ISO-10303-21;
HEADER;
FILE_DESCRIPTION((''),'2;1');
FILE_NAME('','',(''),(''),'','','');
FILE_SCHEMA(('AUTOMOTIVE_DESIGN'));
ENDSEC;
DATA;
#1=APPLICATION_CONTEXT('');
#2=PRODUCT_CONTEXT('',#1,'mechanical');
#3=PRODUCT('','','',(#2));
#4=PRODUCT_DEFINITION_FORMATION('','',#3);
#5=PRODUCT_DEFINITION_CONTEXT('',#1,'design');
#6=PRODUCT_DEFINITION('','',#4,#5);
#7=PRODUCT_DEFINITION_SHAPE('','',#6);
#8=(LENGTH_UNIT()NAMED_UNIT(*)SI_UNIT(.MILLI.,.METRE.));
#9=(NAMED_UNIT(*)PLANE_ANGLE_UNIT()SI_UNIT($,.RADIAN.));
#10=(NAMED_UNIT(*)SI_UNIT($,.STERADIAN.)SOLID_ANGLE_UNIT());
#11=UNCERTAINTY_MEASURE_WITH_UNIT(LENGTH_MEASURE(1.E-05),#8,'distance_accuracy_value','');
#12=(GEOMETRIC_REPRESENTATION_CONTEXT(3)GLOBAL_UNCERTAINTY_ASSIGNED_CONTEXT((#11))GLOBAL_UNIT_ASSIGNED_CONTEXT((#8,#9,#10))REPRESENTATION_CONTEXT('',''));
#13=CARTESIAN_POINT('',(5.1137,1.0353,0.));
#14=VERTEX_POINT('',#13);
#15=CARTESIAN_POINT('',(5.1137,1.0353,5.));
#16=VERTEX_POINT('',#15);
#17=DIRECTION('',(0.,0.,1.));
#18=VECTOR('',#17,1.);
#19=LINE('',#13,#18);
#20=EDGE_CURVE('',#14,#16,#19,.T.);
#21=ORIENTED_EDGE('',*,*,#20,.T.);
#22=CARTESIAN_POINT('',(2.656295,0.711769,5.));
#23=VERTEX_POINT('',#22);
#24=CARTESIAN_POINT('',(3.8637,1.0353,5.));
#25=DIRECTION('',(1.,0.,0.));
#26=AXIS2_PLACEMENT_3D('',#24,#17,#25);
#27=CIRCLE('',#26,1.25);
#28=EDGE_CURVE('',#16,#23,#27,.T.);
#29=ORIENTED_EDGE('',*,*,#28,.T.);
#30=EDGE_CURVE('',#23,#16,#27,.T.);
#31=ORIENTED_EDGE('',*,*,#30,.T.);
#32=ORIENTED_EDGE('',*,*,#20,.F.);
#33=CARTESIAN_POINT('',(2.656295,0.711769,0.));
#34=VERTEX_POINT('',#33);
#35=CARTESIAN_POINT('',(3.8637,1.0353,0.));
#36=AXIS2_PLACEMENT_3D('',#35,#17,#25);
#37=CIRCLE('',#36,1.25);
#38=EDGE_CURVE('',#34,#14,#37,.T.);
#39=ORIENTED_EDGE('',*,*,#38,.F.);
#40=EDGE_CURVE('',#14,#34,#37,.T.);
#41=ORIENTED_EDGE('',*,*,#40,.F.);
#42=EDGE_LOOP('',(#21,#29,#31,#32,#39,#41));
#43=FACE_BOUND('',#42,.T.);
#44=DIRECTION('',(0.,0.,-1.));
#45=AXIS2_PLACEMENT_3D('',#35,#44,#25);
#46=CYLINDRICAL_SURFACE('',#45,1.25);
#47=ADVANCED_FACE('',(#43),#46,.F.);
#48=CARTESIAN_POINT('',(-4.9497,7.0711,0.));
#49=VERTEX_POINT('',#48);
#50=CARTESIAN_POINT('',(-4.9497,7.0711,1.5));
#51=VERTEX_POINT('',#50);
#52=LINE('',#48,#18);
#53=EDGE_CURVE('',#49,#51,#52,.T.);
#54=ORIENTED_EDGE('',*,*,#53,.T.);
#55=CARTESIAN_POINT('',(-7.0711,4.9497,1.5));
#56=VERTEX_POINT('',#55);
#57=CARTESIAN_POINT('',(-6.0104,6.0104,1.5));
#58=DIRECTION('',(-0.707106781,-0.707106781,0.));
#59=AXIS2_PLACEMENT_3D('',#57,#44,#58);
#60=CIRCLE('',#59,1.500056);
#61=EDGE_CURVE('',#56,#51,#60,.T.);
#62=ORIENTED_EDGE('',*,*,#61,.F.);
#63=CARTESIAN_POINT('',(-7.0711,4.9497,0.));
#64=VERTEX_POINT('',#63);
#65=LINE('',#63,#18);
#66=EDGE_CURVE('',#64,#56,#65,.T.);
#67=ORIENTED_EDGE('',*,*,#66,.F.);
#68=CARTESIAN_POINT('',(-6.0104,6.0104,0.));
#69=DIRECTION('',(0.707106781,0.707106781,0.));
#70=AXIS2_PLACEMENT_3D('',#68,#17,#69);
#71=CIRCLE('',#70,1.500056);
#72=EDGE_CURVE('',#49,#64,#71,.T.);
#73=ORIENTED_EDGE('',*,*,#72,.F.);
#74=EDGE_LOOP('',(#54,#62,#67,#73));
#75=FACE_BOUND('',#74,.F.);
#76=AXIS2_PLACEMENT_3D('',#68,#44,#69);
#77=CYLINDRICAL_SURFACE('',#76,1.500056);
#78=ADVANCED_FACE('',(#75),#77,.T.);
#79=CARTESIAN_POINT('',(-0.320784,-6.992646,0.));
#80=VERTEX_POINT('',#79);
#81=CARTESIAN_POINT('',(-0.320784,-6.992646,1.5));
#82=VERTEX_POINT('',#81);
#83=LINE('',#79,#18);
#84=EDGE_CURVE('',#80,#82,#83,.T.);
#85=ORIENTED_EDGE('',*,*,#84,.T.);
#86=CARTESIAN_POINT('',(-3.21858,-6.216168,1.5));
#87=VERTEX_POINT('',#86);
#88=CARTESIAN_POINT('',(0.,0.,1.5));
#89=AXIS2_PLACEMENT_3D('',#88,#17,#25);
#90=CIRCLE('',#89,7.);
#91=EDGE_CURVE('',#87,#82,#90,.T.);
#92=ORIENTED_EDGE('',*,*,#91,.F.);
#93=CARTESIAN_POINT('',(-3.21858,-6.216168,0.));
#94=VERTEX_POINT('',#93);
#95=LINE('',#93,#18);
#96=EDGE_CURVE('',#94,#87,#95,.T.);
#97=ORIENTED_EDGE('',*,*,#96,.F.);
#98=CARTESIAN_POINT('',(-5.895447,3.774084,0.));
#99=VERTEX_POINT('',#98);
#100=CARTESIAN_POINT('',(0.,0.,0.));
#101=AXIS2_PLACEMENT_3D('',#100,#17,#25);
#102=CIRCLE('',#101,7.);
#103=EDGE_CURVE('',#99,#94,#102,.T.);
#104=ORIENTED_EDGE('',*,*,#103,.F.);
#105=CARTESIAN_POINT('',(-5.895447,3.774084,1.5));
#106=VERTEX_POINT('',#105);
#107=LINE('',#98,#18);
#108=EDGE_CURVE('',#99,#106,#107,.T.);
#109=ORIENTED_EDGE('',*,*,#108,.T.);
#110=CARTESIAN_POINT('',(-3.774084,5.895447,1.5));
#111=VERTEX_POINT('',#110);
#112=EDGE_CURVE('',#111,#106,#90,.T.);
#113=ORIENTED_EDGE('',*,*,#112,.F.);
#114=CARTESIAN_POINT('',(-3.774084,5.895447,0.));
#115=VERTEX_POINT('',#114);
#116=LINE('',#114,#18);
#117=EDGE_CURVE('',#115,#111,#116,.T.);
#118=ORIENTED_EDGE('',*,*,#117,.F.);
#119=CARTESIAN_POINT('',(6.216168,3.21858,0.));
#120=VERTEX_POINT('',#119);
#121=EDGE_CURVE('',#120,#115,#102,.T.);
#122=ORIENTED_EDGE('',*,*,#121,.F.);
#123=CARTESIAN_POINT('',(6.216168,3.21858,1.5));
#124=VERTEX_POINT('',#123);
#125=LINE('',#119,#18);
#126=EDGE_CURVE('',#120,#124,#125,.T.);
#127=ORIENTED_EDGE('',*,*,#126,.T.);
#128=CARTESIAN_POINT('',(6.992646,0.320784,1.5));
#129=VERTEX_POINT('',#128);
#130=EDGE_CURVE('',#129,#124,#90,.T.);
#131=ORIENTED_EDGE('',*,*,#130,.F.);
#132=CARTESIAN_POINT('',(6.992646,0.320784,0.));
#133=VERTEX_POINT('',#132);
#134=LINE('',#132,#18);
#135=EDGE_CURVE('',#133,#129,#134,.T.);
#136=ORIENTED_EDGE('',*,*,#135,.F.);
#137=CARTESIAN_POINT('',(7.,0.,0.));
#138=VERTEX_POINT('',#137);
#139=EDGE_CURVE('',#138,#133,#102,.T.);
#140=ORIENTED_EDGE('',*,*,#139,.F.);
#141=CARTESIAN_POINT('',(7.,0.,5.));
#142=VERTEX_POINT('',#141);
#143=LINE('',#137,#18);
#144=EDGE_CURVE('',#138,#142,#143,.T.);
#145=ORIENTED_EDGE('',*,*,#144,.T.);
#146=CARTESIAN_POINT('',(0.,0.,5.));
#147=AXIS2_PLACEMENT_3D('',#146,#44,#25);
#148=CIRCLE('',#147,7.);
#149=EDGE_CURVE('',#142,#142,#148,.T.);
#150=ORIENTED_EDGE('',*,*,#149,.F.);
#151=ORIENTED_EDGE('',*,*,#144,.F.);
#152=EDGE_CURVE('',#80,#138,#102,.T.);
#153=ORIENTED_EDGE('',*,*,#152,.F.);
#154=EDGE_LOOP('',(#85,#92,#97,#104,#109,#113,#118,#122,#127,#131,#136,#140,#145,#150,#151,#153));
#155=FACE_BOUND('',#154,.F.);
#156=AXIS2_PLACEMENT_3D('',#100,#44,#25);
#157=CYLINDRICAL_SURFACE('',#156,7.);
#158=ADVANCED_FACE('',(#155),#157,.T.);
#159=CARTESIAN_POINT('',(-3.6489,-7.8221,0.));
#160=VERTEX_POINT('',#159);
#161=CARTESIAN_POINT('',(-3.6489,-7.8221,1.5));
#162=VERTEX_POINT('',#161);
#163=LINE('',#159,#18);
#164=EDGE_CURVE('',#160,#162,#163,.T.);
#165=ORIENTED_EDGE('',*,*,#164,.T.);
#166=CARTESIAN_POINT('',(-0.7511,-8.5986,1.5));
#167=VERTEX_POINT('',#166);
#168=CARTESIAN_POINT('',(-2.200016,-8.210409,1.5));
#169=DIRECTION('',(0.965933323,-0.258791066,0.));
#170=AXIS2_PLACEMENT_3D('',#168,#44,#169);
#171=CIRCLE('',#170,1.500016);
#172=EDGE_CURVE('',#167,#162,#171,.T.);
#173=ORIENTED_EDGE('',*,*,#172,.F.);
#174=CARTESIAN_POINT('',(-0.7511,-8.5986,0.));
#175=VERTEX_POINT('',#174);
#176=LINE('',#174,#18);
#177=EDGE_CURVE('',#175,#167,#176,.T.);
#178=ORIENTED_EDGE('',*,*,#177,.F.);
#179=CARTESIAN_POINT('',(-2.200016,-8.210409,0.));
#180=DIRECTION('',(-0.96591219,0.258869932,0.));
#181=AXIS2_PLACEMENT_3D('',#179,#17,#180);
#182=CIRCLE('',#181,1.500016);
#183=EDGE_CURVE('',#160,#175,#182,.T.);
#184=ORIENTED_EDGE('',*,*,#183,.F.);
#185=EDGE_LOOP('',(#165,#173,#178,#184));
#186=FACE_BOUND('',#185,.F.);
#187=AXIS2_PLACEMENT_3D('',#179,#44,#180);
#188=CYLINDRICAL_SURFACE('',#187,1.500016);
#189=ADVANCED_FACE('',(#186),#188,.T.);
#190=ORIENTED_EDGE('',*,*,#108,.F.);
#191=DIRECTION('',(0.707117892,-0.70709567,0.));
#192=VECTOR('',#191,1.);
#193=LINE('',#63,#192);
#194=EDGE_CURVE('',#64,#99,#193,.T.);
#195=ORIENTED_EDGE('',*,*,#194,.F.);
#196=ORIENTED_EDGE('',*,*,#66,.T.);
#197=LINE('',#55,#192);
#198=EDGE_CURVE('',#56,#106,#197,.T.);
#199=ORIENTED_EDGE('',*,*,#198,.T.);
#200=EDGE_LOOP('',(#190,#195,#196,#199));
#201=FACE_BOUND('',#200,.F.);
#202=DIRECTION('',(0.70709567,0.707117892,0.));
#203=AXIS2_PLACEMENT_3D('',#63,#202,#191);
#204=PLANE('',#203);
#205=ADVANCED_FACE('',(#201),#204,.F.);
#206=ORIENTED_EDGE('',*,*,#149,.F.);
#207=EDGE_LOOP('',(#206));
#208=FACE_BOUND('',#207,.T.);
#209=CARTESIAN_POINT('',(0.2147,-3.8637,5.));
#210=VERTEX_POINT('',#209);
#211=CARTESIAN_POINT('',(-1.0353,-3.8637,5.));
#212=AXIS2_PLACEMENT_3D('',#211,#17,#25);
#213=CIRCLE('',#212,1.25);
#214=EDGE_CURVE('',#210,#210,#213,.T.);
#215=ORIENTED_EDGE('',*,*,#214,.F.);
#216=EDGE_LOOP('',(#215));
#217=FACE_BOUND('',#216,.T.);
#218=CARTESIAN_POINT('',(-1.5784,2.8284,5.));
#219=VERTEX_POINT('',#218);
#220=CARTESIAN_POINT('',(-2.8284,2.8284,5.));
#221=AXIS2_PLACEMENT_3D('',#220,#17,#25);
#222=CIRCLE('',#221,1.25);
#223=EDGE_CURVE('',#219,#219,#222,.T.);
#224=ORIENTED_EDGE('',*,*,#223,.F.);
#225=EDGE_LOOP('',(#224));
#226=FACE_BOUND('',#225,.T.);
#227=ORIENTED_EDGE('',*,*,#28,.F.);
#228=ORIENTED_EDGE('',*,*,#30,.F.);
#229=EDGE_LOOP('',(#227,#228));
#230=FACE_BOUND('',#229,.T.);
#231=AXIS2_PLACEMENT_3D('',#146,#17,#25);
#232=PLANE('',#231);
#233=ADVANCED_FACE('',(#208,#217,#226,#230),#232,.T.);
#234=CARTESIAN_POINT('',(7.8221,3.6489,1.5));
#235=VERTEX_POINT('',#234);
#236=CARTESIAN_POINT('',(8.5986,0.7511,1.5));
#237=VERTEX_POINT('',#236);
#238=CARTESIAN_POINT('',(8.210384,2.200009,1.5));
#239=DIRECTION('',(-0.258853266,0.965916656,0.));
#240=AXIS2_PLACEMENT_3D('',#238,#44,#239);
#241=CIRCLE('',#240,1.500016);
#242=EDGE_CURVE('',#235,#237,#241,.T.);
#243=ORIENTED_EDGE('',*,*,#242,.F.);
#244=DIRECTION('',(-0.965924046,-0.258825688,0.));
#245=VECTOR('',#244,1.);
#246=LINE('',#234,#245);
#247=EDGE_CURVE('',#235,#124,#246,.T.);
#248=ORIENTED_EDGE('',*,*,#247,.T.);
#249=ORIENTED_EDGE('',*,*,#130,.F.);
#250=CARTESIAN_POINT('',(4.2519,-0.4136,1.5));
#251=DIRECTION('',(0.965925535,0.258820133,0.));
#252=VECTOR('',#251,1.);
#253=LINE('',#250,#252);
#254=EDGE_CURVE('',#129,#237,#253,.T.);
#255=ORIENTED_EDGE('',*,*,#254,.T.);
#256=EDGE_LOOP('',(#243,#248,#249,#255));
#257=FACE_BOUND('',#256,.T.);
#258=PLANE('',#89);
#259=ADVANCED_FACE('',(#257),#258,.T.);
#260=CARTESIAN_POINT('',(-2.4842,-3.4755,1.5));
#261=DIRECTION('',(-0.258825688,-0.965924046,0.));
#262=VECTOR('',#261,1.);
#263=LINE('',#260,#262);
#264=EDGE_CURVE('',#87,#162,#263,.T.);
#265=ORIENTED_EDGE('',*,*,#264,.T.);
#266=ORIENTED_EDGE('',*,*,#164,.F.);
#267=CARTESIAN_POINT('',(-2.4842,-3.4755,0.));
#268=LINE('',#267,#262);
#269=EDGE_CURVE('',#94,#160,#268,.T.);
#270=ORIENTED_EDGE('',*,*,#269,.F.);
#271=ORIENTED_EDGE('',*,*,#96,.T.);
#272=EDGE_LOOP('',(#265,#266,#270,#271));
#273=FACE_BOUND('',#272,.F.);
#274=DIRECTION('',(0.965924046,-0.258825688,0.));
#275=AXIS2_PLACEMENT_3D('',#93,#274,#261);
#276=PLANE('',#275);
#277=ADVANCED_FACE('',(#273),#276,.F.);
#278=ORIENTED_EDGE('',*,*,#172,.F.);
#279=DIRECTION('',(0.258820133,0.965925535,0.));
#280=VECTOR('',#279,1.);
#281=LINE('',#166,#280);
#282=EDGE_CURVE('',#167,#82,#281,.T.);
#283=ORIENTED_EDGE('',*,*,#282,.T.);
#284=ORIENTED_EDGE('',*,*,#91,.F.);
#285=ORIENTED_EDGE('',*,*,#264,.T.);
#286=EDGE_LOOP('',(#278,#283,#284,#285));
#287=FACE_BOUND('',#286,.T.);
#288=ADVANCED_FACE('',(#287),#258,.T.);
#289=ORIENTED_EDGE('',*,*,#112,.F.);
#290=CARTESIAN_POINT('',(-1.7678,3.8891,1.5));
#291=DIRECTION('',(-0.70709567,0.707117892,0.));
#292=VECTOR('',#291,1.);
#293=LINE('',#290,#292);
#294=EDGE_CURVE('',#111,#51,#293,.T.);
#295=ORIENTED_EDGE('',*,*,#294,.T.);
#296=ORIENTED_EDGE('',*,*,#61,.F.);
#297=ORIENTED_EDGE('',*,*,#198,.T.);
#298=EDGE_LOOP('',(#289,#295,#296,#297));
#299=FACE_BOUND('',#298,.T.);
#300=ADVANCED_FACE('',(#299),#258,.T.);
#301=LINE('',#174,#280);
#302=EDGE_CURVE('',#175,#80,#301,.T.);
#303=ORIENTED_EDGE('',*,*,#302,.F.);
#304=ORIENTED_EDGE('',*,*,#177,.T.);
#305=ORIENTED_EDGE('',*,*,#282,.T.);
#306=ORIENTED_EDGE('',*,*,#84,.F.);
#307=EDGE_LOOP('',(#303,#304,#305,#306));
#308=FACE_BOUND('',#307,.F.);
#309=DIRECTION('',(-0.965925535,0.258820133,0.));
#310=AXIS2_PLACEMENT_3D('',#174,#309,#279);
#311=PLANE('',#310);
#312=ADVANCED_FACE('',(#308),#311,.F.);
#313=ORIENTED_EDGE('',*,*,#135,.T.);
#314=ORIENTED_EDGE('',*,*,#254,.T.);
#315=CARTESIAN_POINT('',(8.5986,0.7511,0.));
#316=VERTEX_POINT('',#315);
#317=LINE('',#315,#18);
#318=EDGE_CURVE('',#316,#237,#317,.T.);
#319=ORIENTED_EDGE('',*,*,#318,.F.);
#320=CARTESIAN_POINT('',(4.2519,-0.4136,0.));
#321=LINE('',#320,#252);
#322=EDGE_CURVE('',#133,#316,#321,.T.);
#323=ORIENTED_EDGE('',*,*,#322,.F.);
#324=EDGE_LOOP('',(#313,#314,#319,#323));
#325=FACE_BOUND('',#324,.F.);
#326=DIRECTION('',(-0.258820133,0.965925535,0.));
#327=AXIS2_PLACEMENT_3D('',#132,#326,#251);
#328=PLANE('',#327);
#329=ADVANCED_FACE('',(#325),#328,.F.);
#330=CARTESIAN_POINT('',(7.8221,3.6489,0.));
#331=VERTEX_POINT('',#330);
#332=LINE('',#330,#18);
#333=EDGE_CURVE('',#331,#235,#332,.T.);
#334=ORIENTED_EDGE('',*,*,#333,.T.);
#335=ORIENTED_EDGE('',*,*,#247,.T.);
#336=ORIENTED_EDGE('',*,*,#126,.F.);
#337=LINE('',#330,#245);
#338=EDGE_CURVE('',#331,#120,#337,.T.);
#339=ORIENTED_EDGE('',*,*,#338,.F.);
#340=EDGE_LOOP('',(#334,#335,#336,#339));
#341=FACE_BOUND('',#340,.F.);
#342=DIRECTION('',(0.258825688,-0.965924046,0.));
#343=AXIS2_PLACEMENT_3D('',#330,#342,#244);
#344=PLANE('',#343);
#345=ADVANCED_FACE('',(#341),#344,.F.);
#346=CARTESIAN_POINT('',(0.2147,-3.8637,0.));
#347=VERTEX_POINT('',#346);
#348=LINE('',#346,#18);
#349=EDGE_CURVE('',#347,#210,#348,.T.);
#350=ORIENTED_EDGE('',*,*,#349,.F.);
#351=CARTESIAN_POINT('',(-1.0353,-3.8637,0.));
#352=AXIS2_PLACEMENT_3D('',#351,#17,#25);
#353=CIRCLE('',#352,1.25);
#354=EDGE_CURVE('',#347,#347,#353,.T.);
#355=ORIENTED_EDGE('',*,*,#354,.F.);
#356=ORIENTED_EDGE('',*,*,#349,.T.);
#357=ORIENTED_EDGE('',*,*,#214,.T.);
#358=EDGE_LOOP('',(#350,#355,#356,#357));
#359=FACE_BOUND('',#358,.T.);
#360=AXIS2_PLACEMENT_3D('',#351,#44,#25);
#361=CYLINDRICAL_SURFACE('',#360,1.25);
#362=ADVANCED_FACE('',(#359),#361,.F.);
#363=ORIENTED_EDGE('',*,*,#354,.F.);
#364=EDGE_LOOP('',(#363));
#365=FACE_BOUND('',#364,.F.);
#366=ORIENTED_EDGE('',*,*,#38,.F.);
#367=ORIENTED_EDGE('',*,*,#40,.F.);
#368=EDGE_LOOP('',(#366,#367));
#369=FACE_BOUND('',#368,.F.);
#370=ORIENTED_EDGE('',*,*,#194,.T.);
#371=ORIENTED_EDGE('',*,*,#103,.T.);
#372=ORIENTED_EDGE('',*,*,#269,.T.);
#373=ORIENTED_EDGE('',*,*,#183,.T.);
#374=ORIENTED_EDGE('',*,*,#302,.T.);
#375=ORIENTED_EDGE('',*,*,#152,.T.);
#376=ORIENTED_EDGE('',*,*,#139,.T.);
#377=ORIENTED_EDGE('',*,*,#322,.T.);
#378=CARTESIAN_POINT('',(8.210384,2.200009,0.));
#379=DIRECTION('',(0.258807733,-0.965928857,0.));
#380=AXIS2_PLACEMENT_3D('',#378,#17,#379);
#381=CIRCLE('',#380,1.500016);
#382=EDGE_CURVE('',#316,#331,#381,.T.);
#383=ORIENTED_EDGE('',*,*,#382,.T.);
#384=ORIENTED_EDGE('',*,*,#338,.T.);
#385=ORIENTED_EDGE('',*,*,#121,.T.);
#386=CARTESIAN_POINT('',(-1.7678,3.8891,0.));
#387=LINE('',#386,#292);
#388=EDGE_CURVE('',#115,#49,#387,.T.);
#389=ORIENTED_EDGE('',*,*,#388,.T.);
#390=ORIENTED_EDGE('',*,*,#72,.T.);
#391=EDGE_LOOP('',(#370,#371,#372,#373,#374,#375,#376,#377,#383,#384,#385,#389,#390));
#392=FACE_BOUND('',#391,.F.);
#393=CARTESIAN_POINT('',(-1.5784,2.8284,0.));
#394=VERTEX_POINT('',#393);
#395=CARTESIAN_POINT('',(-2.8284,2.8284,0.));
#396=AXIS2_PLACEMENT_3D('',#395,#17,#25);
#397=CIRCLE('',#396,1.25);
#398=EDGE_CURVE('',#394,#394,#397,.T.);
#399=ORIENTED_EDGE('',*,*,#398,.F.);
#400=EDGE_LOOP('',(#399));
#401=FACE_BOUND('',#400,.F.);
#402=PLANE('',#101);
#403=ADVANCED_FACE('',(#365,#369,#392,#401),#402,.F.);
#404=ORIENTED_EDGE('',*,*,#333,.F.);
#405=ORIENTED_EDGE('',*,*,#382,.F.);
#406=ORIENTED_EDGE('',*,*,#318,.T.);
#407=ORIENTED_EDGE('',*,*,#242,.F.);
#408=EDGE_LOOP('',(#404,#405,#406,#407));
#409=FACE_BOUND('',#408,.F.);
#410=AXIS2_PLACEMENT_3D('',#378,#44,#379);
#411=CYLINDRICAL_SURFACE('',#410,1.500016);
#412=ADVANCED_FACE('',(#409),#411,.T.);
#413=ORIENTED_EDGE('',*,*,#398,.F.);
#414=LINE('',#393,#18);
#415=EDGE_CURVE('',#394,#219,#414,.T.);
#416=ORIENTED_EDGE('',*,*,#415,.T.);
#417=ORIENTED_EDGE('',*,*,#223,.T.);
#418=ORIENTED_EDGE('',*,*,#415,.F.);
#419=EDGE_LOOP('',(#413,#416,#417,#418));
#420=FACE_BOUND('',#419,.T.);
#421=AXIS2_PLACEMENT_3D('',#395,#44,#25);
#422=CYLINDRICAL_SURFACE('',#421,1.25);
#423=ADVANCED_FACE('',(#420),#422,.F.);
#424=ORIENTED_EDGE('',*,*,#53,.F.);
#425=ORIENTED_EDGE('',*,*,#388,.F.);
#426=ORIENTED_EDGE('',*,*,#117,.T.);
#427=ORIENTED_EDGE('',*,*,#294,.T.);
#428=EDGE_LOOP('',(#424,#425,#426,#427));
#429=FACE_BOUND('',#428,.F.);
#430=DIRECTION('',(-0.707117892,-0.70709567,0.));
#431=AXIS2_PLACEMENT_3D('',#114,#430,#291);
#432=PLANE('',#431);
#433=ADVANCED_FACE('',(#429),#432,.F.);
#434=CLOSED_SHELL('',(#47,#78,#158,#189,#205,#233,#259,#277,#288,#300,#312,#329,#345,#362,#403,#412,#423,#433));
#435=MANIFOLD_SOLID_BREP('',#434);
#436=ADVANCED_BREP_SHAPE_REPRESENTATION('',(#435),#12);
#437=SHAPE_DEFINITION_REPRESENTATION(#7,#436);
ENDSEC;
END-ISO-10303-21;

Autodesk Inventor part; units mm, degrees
ref_plane "YZ Plane" through (0, 0, 0) normal (1, 0, 0) x (0, 1, 0)
ref_plane "XZ Plane" through (0, 0, 0) normal (0, 1, 0) x (-1, 0, 0)
ref_plane "XY Plane" through (0, 0, 0) normal (0, 0, 1) x (1, 0, 0)
sketch "スケッチ1" plane through (0, 0, 0) normal (0, 0, 1) x (1, 0, 0)
  circle A0 centre (0, 0) radius 7
  circle A1 centre (-2.8284, 2.8284) radius 1.25
  circle A2 centre (-1.0353, -3.8637) radius 1.25
  circle A3 centre (3.8637, 1.0353) radius 1.25
  circle A4 centre (0, 0) radius 10
  line L0 (3.8637, 1.0353) -> (8.2104, 2.2) construction
  line L1 (4.2519, -0.4136) -> (8.5986, 0.7511)
  line L2 (7.8221, 3.6489) -> (3.4755, 2.4842)
  arc A5 (3.4755, 2.4842) -> (4.2519, -0.4136) centre (3.8637, 1.0353) ccw
  arc A6 (8.5986, 0.7511) -> (7.8221, 3.6489) centre (8.2104, 2.2) ccw
  line L3 (3.8637, 1.0353) -> (0, 0)
  line L4 (-7.0711, 4.9497) -> (-3.8891, 1.7678)
  arc A7 (-4.9497, 7.0711) -> (-7.0711, 4.9497) centre (-6.0104, 6.0104) ccw
  line L5 (-1.7678, 3.8891) -> (-4.9497, 7.0711)
  line L6 (-0.7511, -8.5986) -> (0.4136, -4.2519)
  arc A8 (-3.6489, -7.8221) -> (-0.7511, -8.5986) centre (-2.2, -8.2104) ccw
  line L7 (-2.4842, -3.4755) -> (-3.6489, -7.8221)
  point P0 (6.037, 1.6176)
  point P1 (6.2162, 3.2185)
  point P2 (6.9926, 0.3208)
  point P3 (-3.7741, 5.8954)
  point P4 (-5.8954, 3.7741)
  point P5 (-3.2185, -6.2162)
  point P6 (-0.3208, -6.9926)
  dimension "d0" = 14
  dimension "d1" = 2.5
  dimension "d2" = 4
  dimension "d5" = 360
  dimension "d9" = 20
  dimension "d18" = 3
  dimension "d21" = 360
extrude "押し出し1" add sketch "スケッチ1" along normal blind 5 contours A0 L2 A5 L1 | L1 A5 L2 A0
extrude "押し出し2" add sketch "スケッチ1" along normal blind 1.5 contours A0 L2 A6 L1 | L6 A8 L7 A0 | A0 L4 A7 L5
thread "ねじ1" size "M3x0.5" class "6H" standard "ANSI Metric M Profile" full length
thread "ねじ2" size "M3x0.5" class "6H" standard "ANSI Metric M Profile" full length
thread "ねじ3" size "M3x0.5" class "6H" standard "ANSI Metric M Profile" full length
properties part number "アームカムAL" material "アルミニウム 2014-T4"
